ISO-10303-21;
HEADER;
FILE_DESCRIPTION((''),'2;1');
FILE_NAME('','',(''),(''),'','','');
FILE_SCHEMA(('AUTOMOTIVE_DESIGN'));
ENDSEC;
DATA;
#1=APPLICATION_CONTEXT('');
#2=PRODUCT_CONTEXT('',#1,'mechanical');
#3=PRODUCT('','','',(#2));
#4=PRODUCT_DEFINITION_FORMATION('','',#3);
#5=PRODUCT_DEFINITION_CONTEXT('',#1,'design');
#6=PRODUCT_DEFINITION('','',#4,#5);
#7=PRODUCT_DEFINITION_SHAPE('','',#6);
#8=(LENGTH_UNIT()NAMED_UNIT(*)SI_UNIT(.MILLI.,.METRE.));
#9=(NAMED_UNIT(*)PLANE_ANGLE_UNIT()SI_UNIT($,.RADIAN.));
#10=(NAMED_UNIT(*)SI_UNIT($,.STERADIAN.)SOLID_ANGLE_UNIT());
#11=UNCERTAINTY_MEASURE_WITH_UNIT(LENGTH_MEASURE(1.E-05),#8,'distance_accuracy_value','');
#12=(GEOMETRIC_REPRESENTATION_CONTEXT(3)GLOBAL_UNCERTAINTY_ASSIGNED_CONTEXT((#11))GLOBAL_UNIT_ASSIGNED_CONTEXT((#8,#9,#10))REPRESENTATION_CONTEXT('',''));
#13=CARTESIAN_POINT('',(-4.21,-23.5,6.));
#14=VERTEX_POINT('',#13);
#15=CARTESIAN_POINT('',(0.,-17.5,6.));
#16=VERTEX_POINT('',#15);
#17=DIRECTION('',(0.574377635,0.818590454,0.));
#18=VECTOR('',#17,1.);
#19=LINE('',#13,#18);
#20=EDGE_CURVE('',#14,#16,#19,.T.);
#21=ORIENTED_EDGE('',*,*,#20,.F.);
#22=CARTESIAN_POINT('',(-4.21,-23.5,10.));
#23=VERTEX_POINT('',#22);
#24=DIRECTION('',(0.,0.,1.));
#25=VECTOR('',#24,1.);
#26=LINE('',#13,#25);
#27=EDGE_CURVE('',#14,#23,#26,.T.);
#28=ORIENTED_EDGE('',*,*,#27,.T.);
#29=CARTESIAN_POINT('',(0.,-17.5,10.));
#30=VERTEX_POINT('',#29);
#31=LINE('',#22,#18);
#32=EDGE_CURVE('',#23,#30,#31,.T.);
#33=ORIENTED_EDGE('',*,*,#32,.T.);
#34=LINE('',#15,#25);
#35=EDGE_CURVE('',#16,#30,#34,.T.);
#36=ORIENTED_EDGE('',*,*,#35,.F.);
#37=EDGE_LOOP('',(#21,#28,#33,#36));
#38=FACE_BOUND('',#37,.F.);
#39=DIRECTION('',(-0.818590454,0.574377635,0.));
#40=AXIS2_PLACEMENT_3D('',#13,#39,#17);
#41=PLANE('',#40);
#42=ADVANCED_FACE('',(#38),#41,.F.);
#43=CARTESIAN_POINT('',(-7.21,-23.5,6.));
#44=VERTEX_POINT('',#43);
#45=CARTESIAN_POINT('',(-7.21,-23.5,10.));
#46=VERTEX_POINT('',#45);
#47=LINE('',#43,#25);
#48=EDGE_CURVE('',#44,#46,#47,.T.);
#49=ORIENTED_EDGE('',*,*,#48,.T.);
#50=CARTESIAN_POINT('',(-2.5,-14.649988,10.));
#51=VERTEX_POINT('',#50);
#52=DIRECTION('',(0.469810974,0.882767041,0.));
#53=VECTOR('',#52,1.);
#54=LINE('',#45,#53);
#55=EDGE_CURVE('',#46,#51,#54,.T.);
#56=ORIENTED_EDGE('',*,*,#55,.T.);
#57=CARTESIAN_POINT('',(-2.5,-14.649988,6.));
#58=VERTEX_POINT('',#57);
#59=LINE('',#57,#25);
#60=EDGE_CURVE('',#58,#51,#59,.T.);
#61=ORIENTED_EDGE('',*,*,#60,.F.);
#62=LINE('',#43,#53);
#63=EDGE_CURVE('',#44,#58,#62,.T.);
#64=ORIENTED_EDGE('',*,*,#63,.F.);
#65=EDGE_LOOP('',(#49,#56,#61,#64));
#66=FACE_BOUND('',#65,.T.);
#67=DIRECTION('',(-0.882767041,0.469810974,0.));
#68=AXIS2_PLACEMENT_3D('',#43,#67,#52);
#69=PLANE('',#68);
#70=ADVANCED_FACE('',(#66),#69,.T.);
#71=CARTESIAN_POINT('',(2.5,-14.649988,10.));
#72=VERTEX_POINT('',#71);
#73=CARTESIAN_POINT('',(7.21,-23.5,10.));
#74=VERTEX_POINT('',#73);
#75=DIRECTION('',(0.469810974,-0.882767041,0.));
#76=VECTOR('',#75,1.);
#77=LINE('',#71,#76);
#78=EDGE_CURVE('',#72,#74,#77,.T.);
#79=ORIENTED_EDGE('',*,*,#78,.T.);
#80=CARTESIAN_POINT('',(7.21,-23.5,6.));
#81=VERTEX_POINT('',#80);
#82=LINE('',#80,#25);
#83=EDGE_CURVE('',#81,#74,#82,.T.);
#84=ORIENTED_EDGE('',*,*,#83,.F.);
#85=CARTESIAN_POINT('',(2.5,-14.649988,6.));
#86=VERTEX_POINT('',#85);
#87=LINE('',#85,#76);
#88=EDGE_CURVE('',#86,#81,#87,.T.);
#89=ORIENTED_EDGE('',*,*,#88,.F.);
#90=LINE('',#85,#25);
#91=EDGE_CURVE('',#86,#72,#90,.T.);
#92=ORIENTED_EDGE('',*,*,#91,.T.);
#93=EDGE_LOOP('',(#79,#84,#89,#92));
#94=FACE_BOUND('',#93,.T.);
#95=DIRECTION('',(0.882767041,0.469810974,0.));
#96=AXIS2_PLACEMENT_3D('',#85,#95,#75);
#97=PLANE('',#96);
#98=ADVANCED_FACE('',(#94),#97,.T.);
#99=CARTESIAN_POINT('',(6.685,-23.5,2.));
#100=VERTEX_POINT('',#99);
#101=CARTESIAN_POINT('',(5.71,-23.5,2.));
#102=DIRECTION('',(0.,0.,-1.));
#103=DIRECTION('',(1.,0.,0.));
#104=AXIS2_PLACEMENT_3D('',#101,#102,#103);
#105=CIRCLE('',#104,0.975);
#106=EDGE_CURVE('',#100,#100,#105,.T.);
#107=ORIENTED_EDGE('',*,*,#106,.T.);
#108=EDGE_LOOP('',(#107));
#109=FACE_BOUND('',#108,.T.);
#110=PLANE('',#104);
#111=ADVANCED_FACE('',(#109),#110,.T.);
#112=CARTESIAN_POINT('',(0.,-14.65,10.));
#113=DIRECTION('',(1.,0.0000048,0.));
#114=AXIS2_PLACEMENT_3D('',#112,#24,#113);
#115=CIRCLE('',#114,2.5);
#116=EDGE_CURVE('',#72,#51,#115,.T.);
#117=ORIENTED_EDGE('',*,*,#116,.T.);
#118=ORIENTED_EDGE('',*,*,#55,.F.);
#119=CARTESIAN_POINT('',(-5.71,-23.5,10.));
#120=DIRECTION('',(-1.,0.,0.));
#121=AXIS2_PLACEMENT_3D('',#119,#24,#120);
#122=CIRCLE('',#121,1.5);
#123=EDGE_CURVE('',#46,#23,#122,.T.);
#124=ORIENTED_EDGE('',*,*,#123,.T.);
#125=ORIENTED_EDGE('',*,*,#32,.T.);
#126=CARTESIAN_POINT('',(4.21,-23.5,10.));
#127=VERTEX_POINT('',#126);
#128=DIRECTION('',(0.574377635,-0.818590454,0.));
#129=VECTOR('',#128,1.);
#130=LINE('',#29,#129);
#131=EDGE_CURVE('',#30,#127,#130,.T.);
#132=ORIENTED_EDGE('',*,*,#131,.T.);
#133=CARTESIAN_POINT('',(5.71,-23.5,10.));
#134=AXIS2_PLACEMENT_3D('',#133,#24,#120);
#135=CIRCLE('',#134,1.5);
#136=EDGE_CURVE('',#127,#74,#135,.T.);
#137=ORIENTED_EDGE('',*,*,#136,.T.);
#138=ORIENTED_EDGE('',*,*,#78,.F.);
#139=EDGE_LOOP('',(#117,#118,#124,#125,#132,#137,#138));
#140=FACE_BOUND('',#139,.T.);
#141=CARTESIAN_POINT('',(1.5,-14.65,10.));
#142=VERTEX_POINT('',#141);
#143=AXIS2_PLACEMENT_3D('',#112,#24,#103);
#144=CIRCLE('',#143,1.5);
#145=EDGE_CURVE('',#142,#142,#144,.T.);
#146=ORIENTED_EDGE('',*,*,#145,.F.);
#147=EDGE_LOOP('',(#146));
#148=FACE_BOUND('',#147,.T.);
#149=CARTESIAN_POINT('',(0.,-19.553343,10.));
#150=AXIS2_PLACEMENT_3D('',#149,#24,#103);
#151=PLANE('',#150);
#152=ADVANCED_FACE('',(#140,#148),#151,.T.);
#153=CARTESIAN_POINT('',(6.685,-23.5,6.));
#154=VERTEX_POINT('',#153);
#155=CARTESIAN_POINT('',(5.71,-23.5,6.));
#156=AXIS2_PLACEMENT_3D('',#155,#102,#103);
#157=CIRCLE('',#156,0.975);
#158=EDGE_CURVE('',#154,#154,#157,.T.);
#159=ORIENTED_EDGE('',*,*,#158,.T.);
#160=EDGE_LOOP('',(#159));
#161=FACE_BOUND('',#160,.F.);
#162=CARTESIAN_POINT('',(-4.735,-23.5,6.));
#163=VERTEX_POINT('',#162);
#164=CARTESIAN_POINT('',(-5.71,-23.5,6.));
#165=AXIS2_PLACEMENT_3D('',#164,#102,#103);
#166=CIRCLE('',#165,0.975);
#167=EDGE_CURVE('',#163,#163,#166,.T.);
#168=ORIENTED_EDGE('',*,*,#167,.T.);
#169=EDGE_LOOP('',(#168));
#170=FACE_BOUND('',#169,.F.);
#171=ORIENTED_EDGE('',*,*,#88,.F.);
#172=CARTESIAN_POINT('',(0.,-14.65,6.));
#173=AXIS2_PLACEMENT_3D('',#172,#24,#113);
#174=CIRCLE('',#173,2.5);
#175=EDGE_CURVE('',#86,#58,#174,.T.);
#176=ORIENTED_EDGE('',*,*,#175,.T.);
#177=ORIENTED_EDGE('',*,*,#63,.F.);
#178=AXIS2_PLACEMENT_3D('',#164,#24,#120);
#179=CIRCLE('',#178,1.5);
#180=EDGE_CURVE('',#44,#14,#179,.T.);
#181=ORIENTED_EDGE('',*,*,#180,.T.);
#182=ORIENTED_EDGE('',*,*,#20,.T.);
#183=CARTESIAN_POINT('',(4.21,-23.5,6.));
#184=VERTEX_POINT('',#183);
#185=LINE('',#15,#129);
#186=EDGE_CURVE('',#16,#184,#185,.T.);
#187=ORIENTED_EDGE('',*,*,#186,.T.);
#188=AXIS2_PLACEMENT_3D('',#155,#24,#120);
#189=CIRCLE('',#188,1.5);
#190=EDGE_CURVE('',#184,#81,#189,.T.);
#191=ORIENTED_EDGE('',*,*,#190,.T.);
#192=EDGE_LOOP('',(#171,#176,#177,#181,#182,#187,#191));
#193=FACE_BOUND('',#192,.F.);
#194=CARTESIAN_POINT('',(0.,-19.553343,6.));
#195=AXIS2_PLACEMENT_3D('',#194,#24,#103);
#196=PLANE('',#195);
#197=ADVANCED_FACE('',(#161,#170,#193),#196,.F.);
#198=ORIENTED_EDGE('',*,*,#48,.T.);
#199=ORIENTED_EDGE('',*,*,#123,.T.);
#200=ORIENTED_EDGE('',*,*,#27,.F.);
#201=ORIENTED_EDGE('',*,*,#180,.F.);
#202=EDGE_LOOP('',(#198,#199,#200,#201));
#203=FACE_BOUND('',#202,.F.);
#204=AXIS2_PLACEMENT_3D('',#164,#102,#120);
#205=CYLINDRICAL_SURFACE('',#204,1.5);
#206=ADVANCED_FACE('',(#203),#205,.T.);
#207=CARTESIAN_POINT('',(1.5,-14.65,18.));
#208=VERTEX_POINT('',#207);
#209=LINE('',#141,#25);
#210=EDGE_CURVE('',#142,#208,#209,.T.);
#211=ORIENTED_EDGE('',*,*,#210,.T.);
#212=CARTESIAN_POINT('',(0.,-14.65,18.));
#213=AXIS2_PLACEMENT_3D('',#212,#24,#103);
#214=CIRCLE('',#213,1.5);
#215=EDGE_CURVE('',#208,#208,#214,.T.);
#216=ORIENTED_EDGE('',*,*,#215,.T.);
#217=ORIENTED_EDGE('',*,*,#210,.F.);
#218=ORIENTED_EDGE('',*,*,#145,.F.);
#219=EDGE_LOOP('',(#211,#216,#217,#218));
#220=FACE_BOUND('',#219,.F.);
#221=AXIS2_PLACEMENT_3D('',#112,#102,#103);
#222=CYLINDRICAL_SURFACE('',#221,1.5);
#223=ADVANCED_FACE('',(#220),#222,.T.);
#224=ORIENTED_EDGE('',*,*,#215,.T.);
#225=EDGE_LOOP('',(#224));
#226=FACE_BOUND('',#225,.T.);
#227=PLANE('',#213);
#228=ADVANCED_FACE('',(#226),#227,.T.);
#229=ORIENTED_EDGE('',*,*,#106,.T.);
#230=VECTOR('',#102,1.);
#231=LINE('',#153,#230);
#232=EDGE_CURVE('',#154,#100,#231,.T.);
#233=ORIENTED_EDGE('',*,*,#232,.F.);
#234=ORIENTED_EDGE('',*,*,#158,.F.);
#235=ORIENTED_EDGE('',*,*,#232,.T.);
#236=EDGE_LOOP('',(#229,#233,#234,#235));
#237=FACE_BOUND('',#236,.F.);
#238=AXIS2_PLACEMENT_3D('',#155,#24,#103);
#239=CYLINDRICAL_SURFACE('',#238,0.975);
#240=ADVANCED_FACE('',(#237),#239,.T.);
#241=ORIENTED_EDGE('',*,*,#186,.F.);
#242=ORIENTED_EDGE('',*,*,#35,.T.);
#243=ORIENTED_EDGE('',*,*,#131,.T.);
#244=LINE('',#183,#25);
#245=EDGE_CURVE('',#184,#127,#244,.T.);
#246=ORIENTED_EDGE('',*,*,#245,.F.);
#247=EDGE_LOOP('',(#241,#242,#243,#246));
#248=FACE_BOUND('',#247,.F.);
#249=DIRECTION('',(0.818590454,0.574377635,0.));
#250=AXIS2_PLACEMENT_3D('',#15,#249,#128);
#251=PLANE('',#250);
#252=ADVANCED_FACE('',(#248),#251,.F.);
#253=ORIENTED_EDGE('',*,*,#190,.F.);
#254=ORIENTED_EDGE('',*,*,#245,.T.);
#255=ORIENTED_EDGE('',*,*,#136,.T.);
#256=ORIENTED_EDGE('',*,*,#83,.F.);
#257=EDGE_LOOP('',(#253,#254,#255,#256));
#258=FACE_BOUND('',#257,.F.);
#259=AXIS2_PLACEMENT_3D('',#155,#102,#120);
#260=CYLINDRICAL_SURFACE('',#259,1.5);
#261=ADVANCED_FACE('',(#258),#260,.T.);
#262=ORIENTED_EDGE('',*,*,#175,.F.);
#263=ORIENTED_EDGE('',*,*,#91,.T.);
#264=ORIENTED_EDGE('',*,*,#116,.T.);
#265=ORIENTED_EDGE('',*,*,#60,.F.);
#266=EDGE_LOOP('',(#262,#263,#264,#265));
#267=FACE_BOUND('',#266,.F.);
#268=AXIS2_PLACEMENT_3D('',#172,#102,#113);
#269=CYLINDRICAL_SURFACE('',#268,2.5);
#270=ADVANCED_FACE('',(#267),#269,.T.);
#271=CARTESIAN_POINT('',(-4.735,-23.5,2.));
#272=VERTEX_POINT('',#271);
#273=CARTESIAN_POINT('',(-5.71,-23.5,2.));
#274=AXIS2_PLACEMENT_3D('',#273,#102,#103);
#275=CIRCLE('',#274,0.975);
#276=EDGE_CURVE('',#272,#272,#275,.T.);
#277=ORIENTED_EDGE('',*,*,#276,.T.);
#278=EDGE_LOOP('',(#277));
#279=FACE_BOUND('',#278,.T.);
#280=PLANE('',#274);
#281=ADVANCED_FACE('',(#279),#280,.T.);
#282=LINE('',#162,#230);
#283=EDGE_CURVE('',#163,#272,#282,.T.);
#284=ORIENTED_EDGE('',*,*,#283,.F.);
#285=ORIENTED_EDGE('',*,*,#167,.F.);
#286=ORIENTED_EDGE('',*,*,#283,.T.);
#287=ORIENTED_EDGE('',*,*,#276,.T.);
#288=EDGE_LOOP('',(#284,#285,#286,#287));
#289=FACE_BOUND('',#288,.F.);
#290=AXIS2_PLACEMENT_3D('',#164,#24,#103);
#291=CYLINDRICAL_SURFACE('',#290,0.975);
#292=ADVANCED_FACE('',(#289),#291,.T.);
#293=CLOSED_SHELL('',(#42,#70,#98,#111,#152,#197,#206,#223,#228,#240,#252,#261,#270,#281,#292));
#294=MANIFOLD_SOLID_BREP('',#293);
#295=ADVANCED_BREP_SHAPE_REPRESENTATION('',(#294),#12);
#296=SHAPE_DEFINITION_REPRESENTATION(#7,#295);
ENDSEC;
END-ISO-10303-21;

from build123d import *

# Parameters (mm, degrees)
PAD011_DEPTH = 4
SKETCH025_R  = 1.5
PAD012_DEPTH = 8
SKETCH026_R  = 0.975
PAD013_DEPTH = 4


with BuildPart() as part:
    # Sketch024 → Pad011 (new body)
    with BuildSketch(Plane.XY):
        with BuildLine():
            ThreePointArc((4.21, 0), (5.71, -1.5), (7.21, 0))
            Line((2.5, 8.850012), (7.21, 0))
            ThreePointArc((2.5, 8.850012), (0, 11.35), (-2.5, 8.850012))
            Line((-7.21, 0), (-2.5, 8.850012))
            ThreePointArc((-7.21, 0), (-5.71, -1.5), (-4.21, 0))
            Line((-4.21, 0), (0, 6))
            Line((0, 6), (4.21, 0))
        make_face()
    extrude(amount=PAD011_DEPTH)

    # Sketch025 (on Face9 of Pad011) → Pad012 (join)
    with BuildSketch(Plane.XY.offset(4)):
        with Locations((0, 8.85)):
            Circle(SKETCH025_R)
    extrude(amount=PAD012_DEPTH)

    # Sketch026 (on Face4 of Pad012) → Pad013 (join)
    with BuildSketch(Plane(origin=(0, 0, 0), x_dir=(1, 0, 0), z_dir=(0, 0, -1))):
        with Locations((-5.71, 0)):
            Circle(SKETCH026_R)
        with Locations((5.71, 0)):
            Circle(SKETCH026_R)
    extrude(amount=PAD013_DEPTH)


with BuildPart() as part_1:
    # Body004 placement: moved
    add(part.part.moved(Location((0, -23.5, 6))))


solid = part_1.part
